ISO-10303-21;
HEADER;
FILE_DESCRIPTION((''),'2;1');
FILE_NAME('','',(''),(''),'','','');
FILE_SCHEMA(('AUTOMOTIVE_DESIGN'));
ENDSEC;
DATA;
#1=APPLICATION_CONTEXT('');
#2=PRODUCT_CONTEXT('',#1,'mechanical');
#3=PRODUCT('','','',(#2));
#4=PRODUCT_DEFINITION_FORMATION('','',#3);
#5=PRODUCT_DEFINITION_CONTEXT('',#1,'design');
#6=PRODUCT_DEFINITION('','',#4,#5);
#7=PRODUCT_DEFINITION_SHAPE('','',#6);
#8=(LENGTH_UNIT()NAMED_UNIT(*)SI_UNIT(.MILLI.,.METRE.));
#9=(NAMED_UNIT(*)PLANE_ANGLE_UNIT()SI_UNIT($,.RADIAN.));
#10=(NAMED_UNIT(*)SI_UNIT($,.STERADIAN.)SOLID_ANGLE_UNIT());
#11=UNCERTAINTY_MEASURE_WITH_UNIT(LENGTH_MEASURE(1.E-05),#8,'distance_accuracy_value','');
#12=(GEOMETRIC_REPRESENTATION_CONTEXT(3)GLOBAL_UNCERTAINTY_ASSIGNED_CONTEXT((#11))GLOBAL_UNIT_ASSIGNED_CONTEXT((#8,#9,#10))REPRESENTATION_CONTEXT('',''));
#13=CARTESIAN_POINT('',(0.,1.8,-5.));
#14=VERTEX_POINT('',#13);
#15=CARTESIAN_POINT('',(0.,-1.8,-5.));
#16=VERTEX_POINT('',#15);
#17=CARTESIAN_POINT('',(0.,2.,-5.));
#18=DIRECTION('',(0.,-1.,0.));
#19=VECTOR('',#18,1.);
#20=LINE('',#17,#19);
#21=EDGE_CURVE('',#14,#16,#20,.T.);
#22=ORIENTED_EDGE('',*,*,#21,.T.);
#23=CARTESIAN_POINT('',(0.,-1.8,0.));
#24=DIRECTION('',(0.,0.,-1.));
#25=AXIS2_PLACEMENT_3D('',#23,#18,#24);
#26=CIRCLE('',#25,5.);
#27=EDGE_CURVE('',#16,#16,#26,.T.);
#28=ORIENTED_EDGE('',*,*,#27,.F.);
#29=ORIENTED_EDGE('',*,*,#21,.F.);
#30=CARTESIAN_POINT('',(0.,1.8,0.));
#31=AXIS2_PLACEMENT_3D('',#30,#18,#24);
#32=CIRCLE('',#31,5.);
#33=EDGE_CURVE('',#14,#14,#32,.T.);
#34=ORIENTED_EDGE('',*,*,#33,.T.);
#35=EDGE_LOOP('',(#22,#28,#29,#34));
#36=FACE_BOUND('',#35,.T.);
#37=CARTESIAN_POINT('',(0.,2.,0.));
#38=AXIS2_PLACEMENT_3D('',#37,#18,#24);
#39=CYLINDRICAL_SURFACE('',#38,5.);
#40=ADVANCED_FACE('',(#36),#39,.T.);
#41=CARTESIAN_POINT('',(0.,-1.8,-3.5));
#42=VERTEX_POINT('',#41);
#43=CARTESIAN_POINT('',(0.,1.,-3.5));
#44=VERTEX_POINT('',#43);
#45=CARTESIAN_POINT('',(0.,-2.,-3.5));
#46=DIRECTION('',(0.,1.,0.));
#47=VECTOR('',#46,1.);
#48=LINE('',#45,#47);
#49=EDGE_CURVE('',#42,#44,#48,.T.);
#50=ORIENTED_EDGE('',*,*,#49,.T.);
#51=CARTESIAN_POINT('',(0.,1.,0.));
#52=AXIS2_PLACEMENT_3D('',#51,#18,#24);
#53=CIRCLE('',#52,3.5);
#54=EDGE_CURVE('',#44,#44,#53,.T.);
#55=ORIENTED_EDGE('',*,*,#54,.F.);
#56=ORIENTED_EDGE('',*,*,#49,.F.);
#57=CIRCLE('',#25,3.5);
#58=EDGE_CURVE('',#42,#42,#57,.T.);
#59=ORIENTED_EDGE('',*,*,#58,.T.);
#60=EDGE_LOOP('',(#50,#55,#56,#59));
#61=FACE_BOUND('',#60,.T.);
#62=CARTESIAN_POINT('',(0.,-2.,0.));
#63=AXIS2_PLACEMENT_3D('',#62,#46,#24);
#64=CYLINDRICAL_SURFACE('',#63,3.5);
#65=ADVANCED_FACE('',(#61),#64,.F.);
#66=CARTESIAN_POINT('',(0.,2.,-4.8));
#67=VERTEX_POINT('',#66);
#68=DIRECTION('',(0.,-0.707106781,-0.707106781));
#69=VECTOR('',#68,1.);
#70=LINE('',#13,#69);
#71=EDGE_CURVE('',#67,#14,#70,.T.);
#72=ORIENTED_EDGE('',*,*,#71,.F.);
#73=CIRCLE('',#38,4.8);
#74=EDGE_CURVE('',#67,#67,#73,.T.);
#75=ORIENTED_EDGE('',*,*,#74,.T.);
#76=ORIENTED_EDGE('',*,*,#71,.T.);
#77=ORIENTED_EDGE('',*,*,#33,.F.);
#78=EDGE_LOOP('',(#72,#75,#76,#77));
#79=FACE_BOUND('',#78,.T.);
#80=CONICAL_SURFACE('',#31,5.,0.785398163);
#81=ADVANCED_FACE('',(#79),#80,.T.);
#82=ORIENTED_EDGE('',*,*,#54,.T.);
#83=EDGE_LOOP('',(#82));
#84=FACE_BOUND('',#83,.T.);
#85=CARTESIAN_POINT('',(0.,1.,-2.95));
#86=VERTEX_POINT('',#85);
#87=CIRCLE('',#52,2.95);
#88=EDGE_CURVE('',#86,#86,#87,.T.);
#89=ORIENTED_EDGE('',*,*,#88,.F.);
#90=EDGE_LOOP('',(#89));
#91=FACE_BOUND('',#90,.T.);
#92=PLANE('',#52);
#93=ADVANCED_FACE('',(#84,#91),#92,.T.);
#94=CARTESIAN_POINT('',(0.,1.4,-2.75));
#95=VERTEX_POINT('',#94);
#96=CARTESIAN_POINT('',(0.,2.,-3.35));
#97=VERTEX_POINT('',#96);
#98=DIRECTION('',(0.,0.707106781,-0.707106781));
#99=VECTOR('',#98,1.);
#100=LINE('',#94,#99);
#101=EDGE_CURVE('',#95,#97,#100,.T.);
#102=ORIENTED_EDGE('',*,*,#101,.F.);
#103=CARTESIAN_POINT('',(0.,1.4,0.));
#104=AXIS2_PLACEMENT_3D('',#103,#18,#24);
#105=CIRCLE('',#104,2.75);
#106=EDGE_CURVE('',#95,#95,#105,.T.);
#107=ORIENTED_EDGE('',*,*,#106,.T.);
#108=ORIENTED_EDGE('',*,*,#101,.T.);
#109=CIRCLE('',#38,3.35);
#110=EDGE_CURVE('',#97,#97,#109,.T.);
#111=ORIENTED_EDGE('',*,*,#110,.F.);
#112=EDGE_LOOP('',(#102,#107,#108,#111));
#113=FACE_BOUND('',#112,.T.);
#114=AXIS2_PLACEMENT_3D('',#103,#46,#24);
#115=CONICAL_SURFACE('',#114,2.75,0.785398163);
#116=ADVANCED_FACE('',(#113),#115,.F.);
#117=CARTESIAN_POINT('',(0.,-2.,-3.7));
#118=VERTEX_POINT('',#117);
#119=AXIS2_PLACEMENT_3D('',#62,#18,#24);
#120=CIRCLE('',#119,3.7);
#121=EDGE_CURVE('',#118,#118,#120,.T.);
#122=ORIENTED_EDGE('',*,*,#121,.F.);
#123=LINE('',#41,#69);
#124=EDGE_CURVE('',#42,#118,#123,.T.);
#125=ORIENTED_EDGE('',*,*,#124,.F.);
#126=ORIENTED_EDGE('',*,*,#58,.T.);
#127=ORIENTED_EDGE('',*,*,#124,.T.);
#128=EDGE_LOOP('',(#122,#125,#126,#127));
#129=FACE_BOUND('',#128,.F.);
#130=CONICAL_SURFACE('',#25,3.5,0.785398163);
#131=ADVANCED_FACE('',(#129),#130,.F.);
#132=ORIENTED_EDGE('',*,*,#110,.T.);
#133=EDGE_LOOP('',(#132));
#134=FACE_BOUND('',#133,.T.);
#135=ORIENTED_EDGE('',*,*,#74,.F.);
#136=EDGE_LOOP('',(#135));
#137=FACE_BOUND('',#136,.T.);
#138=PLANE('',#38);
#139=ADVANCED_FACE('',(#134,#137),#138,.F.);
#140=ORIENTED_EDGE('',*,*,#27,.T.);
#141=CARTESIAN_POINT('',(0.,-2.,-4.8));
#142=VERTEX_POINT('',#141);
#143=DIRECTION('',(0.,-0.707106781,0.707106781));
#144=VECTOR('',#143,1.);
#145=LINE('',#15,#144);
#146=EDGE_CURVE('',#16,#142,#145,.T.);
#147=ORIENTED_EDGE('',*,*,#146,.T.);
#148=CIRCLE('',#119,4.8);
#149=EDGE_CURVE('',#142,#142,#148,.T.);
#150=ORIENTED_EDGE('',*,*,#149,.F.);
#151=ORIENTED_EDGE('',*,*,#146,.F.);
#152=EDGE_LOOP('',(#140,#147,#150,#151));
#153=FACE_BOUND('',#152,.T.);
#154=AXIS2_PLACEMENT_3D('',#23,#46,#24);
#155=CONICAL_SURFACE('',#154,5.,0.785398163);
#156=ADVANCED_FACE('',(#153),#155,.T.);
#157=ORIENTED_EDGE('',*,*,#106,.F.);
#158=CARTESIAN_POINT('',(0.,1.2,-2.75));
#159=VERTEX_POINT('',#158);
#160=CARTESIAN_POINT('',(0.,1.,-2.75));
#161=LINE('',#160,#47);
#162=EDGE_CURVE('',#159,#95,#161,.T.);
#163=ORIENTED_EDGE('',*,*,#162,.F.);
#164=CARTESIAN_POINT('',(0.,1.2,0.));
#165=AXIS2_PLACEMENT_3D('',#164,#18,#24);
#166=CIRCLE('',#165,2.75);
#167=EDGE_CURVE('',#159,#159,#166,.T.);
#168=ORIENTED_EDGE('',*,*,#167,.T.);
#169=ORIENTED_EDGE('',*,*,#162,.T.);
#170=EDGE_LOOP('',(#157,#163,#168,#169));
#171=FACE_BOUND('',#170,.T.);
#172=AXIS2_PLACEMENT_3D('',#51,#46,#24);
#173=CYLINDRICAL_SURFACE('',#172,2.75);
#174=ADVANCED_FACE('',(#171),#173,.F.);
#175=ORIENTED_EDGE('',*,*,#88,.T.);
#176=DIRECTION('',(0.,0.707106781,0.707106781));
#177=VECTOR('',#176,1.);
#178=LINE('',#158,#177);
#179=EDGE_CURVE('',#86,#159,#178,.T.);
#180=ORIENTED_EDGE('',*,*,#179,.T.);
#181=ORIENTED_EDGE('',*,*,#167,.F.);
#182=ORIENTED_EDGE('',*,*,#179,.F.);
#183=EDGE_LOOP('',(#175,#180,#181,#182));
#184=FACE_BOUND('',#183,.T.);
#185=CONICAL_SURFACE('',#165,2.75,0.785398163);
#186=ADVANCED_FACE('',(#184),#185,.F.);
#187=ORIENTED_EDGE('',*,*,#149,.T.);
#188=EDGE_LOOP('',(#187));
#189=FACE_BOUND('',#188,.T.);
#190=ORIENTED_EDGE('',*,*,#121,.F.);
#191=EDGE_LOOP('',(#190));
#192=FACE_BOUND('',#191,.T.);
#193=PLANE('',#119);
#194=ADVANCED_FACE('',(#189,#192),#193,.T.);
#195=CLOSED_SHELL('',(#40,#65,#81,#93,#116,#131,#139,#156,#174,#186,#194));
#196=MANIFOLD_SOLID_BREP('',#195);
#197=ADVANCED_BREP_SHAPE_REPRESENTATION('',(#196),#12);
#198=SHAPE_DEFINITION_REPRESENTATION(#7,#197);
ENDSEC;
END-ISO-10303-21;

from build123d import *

# Parameters (mm, degrees)
FASE1_SIZE = 0.2
FASE2_SIZE = 0.6


with BuildPart() as part:
    # Skizze1 → Rotation1 (revolve)
    with BuildSketch(Plane(origin=(0, 0, 0), x_dir=(0, 0, -1), z_dir=(1, 0, 0))):
        Polygon((3.5, -2), (3.5, 1), (2.75, 1), (2.75, 2), (5, 2), (5, -2), align=None)
    revolve(axis=Axis((0, 14.193037975, 0), (0, -1, 0)))

    # Fase1
    fase1_edges = [part.edges().sort_by_distance(p)[0] for p in [
        (0, -2, 5),
        (0, 2, 5),
        (0, 1, 2.75),
        (0, -2, 3.5),
    ]]
    chamfer(fase1_edges, length=FASE1_SIZE)

    # Fase2
    fase2_edges = [part.edges().sort_by_distance(p)[0] for p in [
        (0, 2, 2.75),
    ]]
    chamfer(fase2_edges, length=FASE2_SIZE)


solid = part.part
